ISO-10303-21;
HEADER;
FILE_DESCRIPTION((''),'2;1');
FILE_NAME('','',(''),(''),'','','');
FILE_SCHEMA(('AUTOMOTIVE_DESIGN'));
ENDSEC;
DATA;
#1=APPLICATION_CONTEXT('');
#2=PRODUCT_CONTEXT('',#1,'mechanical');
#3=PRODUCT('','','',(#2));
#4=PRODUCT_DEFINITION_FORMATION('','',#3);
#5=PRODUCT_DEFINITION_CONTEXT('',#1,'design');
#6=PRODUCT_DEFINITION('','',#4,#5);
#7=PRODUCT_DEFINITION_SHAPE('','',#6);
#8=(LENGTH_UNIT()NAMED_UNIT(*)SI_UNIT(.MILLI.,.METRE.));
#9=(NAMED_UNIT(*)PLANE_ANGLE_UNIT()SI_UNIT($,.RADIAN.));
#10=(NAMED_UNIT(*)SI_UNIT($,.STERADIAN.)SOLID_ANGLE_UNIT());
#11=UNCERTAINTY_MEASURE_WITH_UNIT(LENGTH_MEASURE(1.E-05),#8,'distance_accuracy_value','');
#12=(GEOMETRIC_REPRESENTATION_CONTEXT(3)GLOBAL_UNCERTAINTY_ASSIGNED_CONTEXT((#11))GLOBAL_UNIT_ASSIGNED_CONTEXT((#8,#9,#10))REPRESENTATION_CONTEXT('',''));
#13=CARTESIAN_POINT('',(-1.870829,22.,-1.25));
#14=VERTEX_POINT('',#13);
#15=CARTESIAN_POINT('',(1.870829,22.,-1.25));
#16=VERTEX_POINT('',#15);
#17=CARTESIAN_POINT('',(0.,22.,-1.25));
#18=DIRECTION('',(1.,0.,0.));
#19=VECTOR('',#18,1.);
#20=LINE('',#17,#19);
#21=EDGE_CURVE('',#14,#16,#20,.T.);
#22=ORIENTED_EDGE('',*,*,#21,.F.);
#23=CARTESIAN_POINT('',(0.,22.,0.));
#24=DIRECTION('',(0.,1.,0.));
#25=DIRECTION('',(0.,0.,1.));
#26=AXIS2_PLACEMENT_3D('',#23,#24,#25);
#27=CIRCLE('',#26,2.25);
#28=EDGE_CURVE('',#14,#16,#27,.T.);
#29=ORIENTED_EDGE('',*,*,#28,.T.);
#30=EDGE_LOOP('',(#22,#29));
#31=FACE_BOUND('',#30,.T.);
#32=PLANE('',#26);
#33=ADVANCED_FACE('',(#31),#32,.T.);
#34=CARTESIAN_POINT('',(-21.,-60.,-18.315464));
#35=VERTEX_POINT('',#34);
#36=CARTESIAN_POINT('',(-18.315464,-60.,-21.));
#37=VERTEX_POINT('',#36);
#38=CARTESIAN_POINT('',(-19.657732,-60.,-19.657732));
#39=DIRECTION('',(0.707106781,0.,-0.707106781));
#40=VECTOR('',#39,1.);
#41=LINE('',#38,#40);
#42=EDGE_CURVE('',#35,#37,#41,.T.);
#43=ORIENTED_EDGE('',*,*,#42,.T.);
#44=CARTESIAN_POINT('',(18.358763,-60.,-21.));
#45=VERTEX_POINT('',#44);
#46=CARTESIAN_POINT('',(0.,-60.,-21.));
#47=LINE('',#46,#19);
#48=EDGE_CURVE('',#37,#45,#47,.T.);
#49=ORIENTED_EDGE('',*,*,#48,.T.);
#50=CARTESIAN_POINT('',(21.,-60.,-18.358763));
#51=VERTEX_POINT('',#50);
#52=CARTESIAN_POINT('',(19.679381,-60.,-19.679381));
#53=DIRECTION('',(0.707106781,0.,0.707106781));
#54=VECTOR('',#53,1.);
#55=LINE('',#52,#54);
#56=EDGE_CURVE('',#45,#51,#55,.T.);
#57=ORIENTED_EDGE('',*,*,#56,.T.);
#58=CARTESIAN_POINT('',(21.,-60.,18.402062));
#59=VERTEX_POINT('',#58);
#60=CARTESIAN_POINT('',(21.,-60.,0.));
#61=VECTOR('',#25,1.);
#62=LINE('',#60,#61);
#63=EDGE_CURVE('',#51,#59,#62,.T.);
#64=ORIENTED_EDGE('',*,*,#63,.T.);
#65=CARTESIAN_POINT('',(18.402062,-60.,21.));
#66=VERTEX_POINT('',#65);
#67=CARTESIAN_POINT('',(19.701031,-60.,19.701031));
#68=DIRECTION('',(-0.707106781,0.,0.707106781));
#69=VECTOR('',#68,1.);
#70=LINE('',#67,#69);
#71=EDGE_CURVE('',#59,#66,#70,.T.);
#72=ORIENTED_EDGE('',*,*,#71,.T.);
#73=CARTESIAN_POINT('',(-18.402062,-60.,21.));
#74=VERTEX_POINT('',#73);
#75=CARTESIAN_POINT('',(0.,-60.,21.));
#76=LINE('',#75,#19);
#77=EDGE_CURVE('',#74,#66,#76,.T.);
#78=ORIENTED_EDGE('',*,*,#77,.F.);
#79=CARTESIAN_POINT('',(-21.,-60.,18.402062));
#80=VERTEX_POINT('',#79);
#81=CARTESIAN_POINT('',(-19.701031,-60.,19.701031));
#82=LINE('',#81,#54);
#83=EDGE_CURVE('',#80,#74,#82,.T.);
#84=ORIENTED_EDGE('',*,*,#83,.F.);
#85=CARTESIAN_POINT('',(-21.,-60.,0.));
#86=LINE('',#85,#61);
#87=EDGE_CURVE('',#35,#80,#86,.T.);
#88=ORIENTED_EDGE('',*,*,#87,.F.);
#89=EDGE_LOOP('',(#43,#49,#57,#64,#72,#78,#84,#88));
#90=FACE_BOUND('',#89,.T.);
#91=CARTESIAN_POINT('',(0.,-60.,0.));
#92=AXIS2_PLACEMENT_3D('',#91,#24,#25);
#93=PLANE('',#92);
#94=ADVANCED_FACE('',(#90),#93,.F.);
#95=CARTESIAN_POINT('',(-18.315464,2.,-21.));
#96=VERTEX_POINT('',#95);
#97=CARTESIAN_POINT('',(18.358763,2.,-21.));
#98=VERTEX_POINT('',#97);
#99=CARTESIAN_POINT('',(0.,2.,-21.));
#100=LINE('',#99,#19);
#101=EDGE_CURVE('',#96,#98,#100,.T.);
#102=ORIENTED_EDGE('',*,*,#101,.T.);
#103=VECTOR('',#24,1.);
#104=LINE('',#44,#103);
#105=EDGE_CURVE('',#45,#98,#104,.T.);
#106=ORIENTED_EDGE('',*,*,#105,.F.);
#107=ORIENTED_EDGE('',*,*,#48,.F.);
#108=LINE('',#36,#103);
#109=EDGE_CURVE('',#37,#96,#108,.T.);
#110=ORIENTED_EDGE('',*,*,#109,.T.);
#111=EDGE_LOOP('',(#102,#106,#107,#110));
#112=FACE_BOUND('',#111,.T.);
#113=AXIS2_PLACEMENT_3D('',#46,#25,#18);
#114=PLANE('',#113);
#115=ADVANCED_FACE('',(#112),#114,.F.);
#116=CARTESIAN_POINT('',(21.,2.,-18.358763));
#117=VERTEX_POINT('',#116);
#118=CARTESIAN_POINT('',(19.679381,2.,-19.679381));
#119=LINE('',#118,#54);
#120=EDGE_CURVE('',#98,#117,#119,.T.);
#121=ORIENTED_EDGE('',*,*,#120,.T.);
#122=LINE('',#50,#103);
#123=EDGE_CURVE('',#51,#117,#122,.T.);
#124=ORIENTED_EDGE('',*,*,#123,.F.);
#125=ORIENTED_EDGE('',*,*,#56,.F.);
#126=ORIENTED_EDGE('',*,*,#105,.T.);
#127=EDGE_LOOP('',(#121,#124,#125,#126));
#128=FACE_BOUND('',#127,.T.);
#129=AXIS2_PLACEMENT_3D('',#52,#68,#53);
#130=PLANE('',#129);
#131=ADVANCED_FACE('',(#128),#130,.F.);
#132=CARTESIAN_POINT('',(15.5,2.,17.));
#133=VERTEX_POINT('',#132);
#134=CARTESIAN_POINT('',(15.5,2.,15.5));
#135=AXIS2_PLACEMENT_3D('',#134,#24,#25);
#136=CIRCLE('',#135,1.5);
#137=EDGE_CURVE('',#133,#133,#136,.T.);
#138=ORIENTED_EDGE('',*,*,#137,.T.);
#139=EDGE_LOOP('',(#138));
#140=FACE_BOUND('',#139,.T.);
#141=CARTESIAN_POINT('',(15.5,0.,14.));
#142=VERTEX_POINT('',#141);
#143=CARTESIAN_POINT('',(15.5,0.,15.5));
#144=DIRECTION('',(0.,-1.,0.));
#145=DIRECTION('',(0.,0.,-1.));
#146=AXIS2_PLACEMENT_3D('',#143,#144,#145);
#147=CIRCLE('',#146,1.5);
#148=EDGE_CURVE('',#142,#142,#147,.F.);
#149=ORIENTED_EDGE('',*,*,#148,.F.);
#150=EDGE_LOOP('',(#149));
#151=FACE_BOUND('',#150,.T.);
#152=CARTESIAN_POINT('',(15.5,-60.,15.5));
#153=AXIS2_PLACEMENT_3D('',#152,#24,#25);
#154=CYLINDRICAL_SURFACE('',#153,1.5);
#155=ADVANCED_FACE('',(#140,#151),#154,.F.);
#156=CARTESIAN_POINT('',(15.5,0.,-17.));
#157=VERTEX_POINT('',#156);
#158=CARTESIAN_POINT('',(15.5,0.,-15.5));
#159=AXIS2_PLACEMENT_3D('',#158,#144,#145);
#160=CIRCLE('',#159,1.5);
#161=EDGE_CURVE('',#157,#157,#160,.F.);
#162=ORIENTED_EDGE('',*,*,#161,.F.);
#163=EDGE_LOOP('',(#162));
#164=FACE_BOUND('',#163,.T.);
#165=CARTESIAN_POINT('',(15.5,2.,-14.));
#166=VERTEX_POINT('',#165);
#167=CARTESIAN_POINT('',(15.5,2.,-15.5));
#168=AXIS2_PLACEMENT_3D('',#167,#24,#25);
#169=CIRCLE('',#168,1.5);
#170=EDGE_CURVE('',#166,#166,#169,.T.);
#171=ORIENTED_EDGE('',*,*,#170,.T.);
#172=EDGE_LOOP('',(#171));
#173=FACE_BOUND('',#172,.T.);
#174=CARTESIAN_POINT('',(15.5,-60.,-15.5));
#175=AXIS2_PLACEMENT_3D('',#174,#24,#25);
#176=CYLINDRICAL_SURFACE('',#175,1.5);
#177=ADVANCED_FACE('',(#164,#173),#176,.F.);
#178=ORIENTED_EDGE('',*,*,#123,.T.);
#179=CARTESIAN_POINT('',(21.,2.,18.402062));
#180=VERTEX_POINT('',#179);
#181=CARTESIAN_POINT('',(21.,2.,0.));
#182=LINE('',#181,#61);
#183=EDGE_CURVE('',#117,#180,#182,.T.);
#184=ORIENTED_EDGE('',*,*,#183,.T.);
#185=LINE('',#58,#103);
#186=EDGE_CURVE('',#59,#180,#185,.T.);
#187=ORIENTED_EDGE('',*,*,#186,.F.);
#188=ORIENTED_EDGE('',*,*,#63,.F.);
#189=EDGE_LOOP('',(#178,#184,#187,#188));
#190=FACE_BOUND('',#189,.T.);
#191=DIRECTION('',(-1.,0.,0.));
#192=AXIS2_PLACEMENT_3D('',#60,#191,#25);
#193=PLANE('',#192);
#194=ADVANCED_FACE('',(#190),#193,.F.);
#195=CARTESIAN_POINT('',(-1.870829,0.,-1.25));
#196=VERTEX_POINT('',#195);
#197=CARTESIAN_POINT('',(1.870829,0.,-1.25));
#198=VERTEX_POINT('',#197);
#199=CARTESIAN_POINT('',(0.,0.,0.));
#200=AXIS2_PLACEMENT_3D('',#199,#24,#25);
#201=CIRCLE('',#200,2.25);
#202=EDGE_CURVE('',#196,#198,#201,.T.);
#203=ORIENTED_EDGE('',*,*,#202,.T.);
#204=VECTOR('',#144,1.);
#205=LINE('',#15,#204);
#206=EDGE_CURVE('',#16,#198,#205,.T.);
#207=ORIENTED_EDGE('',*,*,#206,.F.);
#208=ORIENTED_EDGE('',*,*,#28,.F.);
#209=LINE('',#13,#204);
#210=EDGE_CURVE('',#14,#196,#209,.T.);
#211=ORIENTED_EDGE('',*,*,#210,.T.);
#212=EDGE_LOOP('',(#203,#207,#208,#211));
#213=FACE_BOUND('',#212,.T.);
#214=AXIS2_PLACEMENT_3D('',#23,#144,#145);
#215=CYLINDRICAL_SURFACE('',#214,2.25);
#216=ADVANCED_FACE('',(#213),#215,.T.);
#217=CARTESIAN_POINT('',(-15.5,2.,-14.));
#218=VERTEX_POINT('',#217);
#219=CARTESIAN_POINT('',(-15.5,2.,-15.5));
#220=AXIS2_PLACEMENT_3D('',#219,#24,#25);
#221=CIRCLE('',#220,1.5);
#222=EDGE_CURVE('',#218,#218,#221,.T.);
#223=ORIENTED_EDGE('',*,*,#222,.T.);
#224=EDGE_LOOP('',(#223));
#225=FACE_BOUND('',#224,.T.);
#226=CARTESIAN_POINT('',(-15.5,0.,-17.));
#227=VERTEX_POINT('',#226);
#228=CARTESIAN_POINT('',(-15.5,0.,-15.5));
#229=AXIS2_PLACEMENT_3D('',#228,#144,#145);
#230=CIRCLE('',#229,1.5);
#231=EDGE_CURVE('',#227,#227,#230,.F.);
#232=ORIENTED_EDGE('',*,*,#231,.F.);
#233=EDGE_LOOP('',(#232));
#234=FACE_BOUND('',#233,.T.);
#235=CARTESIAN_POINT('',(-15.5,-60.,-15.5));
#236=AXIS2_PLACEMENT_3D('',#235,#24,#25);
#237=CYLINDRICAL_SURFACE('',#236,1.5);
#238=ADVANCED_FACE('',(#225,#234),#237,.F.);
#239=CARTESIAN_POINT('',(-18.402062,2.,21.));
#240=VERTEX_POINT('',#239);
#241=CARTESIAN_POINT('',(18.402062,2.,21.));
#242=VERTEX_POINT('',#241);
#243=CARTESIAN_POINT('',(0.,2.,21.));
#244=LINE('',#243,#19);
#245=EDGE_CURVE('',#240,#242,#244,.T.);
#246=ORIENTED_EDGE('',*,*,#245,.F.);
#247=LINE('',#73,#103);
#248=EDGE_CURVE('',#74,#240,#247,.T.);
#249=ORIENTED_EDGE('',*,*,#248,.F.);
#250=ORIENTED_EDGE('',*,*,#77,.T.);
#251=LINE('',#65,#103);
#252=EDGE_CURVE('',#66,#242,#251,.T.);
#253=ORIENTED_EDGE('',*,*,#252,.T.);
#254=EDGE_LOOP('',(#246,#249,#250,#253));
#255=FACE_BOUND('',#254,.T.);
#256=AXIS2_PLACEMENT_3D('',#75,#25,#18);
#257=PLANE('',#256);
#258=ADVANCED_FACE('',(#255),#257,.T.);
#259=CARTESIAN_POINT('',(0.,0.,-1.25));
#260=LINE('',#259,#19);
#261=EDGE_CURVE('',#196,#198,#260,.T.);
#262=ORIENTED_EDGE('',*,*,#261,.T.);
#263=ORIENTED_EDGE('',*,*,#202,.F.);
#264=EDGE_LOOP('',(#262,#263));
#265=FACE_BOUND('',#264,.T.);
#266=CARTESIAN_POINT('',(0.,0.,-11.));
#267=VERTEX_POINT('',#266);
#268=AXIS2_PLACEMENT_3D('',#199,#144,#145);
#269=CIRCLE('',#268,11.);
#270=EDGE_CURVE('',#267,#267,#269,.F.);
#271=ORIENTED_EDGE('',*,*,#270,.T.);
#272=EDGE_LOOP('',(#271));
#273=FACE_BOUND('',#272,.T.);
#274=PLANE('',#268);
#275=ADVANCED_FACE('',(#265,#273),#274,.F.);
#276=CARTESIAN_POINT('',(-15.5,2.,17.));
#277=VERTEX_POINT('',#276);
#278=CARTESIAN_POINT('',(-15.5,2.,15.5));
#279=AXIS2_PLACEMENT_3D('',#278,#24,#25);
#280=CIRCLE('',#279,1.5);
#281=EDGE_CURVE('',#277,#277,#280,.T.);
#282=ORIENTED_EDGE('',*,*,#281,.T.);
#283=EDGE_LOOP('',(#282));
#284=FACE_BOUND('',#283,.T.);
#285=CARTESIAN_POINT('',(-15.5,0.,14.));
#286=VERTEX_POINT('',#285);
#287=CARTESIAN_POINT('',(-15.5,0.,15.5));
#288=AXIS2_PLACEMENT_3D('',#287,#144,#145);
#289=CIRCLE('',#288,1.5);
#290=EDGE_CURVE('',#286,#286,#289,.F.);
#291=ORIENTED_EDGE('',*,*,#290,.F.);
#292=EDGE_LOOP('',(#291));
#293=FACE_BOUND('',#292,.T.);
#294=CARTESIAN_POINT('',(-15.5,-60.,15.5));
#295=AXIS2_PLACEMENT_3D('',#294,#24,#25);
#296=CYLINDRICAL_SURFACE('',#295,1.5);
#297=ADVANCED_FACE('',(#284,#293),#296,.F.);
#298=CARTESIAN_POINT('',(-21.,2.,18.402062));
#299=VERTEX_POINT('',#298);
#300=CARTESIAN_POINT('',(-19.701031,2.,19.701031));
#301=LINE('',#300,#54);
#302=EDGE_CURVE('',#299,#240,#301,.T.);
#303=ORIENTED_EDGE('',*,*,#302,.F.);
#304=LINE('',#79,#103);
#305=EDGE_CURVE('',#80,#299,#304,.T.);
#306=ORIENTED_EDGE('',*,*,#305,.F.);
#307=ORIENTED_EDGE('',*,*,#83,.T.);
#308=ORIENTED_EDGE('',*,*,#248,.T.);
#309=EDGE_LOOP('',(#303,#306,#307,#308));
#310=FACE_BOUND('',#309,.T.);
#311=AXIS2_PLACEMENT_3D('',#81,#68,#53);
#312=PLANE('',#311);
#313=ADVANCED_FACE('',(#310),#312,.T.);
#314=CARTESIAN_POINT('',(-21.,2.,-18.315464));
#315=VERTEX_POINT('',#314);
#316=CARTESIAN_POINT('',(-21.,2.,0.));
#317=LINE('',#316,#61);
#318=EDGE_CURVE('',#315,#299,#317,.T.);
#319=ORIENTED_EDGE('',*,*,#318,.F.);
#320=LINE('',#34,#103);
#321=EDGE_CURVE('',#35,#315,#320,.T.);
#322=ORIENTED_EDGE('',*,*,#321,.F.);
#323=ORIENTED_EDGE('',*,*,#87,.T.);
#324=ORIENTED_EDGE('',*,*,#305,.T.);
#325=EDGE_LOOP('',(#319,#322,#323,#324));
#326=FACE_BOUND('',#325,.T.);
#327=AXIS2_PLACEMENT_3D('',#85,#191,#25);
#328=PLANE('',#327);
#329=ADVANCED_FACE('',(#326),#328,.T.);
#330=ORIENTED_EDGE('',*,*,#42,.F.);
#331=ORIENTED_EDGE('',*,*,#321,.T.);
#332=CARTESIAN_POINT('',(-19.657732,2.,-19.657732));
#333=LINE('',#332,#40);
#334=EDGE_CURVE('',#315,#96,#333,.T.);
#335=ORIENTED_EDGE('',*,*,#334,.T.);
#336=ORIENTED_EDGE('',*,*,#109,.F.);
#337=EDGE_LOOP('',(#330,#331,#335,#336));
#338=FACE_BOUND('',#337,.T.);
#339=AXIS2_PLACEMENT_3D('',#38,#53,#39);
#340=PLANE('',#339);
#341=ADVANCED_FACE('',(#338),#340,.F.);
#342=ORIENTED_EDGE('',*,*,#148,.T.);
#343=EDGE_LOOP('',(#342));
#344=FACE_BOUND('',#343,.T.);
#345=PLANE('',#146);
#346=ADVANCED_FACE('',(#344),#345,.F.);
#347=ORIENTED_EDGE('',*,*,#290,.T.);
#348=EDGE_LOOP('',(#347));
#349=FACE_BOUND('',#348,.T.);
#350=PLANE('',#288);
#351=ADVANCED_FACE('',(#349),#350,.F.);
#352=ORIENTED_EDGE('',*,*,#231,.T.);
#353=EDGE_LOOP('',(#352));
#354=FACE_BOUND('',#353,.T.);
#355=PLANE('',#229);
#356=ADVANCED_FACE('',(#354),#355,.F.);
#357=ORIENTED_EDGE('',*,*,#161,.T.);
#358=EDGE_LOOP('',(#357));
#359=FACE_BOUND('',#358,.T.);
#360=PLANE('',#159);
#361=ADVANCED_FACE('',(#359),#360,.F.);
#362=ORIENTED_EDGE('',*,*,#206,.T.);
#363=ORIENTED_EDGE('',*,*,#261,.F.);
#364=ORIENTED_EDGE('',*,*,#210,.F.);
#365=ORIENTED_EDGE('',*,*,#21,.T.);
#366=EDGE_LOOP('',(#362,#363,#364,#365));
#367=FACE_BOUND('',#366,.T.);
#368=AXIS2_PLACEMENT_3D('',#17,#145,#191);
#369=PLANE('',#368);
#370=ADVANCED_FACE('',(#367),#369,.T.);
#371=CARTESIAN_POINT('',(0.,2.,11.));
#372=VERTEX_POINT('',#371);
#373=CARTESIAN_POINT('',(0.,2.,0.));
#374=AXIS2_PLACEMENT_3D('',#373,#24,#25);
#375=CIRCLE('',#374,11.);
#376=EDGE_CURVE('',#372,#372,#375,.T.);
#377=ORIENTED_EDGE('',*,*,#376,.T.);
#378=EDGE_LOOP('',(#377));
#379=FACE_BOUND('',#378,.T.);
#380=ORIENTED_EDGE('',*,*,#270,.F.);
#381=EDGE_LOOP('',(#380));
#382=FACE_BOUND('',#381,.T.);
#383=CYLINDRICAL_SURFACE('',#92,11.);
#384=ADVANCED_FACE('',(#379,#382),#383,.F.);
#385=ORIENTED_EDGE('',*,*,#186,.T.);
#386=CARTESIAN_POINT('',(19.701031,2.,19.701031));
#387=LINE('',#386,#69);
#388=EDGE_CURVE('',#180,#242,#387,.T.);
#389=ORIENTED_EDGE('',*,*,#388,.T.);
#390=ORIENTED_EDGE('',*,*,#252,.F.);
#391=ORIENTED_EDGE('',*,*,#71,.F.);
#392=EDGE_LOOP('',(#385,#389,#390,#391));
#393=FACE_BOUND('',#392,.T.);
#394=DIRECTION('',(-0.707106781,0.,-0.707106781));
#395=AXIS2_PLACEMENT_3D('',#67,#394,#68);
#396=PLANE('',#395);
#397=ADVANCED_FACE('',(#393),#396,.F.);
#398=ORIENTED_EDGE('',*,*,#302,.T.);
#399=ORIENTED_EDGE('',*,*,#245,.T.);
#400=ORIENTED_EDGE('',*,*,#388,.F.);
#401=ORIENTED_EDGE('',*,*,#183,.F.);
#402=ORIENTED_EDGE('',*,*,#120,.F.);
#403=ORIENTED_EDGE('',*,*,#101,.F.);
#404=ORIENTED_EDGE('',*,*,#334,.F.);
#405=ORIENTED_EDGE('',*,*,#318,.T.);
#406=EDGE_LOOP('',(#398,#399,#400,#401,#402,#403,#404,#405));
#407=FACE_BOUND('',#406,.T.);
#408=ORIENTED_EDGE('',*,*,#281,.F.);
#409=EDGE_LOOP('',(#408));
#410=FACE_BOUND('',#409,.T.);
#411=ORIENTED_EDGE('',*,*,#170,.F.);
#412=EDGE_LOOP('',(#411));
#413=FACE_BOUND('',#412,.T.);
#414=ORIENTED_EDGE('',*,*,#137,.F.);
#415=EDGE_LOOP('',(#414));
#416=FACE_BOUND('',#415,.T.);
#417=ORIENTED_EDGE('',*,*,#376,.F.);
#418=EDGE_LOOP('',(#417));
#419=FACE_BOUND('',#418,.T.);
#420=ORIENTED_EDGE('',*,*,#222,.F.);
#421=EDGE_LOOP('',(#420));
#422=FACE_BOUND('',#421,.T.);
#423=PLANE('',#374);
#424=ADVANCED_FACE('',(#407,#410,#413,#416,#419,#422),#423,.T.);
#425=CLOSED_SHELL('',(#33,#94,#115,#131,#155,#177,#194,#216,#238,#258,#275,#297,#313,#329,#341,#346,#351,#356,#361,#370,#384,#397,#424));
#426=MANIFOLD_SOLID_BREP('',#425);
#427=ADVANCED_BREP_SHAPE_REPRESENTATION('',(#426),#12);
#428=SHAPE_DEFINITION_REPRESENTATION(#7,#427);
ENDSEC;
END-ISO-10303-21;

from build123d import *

# Parameters (mm, degrees)
EXTRUDE_1_DEPTH      = 2
EXTRUDE_1_DEPTH_BACK = 60
SKETCH_1_R           = 1.5
SKETCH_1_R_2         = 11
EXTRUDE_2_DEPTH      = 22
SKETCH_2_R           = 11
SKETCH_2_R_2         = 1.5
EXTRUDE_3_DEPTH      = 60


with BuildPart() as part:
    # 草图1 → 凸台-拉伸1 (new, two sides: drawn at the far end of the back side and taken through both)
    with BuildSketch(Plane(origin=(0, 0, 0), x_dir=(1, 0, 0), z_dir=(0, 1, 0)).offset(-EXTRUDE_1_DEPTH_BACK)):
        Polygon((-18.315463918, 21), (-21, 18.315463918), (-21, -18.402061856), (-18.402061856, -21), (18.402061856, -21), (21, -18.402061856), (21, 18.358762887), (18.358762887, 21), align=None)
        with Locations((-15.5, -15.5)):
            Circle(SKETCH_1_R, mode=Mode.SUBTRACT)
        with Locations((15.5, -15.5)):
            Circle(SKETCH_1_R, mode=Mode.SUBTRACT)
        Circle(SKETCH_1_R_2, mode=Mode.SUBTRACT)
        with Locations((-15.5, 15.5)):
            Circle(SKETCH_1_R, mode=Mode.SUBTRACT)
        with Locations((15.5, 15.5)):
            Circle(SKETCH_1_R, mode=Mode.SUBTRACT)
    extrude(amount=EXTRUDE_1_DEPTH + EXTRUDE_1_DEPTH_BACK)



with BuildPart() as body_2:
    # 草图1<3> → 凸台-拉伸2 (new body)
    with BuildSketch(Plane(origin=(0, 0, 0), x_dir=(1, 0, 0), z_dir=(0, 1, 0))):
        with BuildLine():
            Line((1.870828693, 1.25), (-1.870828693, 1.25))
            ThreePointArc((-1.870828693, 1.25), (-0.65312152, -2.15312152), (2.25, 0))
            ThreePointArc((2.25, 0), (2.15312152, 0.65312152), (1.870828693, 1.25))
        make_face()
    extrude(amount=EXTRUDE_2_DEPTH)


with BuildPart() as part_1:
    add(part.part)

    add(body_2.part)  # 凸台-拉伸3 merges body 2
    # 草图2 → 凸台-拉伸3 (add)
    with BuildSketch(Plane.XZ.offset(60)):
        Circle(SKETCH_2_R)
        with Locations((-15.5, 15.5)):
            Circle(SKETCH_2_R_2)
        with Locations((15.5, 15.5)):
            Circle(SKETCH_2_R_2)
        with Locations((-15.5, -15.5)):
            Circle(SKETCH_2_R_2)
        with Locations((15.5, -15.5)):
            Circle(SKETCH_2_R_2)
    extrude(amount=-EXTRUDE_3_DEPTH)


solid = part_1.part
